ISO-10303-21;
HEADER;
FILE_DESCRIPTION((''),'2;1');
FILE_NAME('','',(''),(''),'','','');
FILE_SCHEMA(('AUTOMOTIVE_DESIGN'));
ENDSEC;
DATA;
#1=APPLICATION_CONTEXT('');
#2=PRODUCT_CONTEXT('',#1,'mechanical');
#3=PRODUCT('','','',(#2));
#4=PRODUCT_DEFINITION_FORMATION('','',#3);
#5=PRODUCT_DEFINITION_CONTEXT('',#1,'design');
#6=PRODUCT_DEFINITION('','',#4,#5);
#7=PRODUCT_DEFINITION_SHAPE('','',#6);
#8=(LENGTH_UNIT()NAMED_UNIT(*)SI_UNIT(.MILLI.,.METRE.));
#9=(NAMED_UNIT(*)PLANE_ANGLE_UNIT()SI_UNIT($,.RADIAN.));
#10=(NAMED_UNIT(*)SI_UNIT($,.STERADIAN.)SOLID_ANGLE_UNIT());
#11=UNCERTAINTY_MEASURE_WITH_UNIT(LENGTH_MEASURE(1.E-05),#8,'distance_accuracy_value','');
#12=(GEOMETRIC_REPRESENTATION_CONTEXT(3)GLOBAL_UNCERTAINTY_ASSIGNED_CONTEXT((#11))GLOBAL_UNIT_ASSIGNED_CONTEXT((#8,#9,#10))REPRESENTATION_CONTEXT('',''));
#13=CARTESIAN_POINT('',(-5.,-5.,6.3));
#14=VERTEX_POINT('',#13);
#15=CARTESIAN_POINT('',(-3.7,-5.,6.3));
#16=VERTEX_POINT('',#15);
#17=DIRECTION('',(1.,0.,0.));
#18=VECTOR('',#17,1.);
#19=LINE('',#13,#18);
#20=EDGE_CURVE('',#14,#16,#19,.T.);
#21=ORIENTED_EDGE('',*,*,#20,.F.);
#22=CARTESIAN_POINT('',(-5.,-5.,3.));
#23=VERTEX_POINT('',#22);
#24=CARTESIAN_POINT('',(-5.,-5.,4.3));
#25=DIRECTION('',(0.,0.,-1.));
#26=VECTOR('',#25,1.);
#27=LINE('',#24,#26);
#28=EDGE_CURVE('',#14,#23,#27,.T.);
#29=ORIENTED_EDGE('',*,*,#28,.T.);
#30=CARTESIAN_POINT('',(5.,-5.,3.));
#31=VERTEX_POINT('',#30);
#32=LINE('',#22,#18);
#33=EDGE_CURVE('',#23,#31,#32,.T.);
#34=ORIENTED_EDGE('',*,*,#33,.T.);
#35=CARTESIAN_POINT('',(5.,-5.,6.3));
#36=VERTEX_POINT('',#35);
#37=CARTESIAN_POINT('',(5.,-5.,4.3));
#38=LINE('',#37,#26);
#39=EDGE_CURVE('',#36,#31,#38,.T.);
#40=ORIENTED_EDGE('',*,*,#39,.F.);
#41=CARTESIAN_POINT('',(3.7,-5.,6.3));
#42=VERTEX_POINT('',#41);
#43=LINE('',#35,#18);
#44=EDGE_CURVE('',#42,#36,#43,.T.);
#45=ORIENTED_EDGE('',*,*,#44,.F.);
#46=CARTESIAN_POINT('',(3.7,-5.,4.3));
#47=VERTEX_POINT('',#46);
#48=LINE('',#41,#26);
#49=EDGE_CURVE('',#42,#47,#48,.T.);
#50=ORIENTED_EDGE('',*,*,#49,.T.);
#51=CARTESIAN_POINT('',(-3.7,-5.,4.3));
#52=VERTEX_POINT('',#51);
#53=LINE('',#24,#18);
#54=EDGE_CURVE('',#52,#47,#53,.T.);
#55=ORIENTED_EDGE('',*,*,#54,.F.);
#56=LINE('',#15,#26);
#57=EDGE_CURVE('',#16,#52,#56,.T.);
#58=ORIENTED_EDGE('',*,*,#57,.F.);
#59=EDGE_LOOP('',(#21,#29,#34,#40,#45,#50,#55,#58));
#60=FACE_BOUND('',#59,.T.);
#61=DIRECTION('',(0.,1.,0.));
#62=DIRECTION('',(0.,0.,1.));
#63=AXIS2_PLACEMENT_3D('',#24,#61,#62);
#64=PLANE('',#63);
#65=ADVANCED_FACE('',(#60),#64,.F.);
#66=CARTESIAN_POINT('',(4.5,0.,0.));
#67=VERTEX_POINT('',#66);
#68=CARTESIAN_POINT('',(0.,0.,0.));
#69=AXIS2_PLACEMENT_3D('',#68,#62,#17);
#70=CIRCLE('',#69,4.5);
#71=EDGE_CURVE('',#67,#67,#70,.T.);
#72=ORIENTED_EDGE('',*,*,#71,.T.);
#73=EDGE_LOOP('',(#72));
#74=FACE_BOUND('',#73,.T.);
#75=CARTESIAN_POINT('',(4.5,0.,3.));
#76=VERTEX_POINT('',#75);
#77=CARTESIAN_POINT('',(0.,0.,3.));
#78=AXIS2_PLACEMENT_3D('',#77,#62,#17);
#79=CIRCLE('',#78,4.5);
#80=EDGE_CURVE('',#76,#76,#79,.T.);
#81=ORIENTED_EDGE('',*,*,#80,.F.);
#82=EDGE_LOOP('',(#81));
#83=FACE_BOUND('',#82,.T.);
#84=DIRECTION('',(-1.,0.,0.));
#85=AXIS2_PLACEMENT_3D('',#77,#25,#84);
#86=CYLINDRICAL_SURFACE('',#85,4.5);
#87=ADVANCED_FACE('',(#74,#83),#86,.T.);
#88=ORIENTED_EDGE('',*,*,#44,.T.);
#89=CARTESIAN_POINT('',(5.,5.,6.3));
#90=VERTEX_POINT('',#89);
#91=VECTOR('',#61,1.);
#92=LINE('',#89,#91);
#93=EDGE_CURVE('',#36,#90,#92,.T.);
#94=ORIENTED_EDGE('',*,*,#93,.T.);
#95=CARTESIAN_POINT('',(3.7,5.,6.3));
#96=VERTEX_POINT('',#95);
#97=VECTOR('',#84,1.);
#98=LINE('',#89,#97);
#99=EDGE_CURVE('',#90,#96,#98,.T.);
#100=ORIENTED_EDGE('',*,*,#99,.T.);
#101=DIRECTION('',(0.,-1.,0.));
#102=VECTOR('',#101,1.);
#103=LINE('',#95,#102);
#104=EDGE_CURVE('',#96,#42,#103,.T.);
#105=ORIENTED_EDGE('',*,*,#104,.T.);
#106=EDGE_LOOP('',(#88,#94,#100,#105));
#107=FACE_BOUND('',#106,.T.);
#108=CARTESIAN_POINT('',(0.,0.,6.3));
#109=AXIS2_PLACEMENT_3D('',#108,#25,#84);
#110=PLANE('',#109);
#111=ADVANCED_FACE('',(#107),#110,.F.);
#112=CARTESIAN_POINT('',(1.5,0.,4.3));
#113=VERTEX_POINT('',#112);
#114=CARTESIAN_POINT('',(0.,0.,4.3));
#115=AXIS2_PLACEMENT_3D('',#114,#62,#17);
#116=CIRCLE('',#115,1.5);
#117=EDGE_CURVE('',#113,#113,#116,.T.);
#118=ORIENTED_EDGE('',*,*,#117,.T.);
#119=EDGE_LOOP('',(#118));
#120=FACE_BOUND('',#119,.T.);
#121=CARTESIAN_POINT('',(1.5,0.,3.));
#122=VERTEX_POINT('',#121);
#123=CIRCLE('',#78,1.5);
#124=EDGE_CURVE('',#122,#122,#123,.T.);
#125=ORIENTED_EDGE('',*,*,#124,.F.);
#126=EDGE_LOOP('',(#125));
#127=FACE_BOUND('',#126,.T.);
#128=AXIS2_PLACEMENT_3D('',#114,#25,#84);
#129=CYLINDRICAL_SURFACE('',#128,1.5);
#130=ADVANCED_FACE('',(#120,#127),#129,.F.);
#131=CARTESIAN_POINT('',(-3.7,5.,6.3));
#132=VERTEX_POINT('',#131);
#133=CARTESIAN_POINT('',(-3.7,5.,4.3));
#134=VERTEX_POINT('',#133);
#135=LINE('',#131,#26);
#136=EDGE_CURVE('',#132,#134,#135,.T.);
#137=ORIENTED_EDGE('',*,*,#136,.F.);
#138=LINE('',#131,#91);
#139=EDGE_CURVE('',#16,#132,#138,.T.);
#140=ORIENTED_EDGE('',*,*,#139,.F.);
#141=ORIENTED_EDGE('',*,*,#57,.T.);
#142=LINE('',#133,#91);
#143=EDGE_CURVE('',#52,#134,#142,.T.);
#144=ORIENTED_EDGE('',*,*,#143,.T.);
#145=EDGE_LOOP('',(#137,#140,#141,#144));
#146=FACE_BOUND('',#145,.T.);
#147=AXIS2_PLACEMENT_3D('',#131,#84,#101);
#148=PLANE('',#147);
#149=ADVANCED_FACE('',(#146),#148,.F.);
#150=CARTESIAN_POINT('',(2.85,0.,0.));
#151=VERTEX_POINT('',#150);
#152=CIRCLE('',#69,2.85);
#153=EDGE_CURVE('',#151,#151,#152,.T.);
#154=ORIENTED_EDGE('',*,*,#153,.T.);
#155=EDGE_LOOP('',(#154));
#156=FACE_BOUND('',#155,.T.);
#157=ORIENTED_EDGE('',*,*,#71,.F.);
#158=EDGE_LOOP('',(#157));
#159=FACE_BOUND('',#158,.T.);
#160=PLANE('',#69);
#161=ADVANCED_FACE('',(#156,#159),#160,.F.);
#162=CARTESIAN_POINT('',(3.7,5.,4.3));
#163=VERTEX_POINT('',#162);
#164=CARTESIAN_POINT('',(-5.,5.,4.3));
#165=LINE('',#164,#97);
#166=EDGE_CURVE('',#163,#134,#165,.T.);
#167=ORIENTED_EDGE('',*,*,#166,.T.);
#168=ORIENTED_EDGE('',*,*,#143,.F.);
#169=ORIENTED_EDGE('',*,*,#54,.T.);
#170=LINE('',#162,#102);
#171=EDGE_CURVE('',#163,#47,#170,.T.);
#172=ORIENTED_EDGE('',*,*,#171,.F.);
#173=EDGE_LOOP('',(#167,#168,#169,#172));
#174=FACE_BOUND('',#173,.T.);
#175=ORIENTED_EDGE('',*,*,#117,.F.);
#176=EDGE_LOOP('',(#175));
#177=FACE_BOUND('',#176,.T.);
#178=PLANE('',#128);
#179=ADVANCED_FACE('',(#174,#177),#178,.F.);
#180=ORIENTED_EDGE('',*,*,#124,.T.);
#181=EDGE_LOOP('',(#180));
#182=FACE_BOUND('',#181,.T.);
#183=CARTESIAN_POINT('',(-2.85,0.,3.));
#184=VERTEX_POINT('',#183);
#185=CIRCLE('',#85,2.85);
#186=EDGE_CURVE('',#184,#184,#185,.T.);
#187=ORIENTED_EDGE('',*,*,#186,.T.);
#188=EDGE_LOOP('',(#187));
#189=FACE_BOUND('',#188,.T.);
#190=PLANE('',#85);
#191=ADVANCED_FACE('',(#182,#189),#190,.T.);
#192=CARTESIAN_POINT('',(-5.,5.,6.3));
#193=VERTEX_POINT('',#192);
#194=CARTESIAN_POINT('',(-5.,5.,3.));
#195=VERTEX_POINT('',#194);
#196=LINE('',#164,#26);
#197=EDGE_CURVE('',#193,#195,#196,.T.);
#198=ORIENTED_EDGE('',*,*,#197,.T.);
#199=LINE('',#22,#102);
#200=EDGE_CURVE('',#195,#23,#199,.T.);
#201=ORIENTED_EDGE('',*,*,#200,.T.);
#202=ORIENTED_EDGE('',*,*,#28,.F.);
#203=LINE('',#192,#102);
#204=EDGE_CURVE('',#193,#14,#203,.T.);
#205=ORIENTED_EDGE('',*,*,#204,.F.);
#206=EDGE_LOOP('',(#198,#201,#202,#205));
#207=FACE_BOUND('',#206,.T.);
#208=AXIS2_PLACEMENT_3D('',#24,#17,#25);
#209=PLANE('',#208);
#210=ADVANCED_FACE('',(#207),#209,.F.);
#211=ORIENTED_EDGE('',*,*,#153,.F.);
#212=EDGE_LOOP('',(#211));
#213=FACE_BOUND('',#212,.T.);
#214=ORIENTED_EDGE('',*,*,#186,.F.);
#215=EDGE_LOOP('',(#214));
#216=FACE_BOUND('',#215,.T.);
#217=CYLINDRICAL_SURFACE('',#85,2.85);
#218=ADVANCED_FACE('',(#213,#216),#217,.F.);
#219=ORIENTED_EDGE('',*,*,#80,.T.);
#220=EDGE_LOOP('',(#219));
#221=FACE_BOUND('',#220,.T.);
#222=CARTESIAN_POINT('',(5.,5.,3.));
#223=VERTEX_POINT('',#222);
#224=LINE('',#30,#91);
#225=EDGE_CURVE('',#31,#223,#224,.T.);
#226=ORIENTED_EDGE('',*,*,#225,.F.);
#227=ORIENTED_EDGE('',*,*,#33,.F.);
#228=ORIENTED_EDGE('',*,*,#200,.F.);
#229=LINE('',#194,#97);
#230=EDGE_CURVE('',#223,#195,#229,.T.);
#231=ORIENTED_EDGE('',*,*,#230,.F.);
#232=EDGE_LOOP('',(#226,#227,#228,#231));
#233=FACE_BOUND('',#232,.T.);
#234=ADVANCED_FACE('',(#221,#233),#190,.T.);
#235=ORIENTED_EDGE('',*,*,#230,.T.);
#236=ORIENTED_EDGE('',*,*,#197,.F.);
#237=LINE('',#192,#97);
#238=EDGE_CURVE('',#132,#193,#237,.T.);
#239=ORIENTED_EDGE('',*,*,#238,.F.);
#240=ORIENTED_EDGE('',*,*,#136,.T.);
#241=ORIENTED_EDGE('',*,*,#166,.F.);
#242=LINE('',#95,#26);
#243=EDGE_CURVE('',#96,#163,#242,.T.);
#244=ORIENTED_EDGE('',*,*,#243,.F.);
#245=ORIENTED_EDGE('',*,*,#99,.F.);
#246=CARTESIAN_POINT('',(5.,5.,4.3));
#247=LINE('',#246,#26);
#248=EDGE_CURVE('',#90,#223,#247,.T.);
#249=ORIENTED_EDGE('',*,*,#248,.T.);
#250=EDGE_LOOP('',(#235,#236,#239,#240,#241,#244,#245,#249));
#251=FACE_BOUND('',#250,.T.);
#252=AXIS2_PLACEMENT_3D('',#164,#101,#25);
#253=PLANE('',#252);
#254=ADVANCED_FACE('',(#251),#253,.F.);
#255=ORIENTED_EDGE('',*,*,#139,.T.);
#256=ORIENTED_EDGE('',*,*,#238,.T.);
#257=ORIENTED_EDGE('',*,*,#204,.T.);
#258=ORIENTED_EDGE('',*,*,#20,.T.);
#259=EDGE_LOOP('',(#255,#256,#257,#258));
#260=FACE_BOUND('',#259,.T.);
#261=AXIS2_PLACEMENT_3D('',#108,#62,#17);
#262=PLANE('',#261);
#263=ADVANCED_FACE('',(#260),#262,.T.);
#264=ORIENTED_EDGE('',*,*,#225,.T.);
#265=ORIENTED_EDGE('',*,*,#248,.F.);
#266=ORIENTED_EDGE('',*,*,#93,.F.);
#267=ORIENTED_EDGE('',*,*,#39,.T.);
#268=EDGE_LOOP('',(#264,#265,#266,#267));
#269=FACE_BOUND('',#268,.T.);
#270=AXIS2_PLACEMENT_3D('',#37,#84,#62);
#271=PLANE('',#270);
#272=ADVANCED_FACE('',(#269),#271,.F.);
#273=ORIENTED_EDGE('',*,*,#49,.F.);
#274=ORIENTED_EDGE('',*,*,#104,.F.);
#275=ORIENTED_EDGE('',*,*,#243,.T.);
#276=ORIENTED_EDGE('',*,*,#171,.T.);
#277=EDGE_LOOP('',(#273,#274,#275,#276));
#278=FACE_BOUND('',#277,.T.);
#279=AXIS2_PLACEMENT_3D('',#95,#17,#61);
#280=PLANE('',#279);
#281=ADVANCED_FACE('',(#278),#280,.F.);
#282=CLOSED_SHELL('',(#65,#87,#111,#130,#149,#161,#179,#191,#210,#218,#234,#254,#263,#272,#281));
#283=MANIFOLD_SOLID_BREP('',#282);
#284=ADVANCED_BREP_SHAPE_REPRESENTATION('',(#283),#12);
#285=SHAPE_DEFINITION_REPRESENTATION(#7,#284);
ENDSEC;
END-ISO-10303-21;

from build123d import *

# Parameters (mm, degrees)
SKETCH1_R              = 4.5
SKETCH1_R_2            = 2.85
MAIN_AXIS_DEPTH        = 3
SKETCH2_W              = 10
SKETCH2_H              = 10
SKETCH2_R              = 1.5
BASE_OF_RECTAGLE_DEPTH = 1.3
SKETCH3_W              = 1.3
SKETCH3_H              = 10
PULLEY_SUPPORT_DEPTH   = 2


with BuildPart() as part:
    # Sketch1 → Main Axis (new body)
    with BuildSketch(Plane.XY):
        Circle(SKETCH1_R)
        Circle(SKETCH1_R_2, mode=Mode.SUBTRACT)
    extrude(amount=MAIN_AXIS_DEPTH)

    # Sketch2 → Base of Rectagle (add)
    with BuildSketch(Plane.XY.offset(3)):
        Rectangle(SKETCH2_W, SKETCH2_H)
        Circle(SKETCH2_R, mode=Mode.SUBTRACT)
    extrude(amount=BASE_OF_RECTAGLE_DEPTH)

    # Sketch3 → Pulley Support (add)
    with BuildSketch(Plane.XY.offset(4.3)):
        with Locations((-4.35, 0)):
            Rectangle(SKETCH3_W, SKETCH3_H)
        with Locations((4.35, 0)):
            Rectangle(SKETCH3_W, SKETCH3_H)
    extrude(amount=PULLEY_SUPPORT_DEPTH)


solid = part.part
